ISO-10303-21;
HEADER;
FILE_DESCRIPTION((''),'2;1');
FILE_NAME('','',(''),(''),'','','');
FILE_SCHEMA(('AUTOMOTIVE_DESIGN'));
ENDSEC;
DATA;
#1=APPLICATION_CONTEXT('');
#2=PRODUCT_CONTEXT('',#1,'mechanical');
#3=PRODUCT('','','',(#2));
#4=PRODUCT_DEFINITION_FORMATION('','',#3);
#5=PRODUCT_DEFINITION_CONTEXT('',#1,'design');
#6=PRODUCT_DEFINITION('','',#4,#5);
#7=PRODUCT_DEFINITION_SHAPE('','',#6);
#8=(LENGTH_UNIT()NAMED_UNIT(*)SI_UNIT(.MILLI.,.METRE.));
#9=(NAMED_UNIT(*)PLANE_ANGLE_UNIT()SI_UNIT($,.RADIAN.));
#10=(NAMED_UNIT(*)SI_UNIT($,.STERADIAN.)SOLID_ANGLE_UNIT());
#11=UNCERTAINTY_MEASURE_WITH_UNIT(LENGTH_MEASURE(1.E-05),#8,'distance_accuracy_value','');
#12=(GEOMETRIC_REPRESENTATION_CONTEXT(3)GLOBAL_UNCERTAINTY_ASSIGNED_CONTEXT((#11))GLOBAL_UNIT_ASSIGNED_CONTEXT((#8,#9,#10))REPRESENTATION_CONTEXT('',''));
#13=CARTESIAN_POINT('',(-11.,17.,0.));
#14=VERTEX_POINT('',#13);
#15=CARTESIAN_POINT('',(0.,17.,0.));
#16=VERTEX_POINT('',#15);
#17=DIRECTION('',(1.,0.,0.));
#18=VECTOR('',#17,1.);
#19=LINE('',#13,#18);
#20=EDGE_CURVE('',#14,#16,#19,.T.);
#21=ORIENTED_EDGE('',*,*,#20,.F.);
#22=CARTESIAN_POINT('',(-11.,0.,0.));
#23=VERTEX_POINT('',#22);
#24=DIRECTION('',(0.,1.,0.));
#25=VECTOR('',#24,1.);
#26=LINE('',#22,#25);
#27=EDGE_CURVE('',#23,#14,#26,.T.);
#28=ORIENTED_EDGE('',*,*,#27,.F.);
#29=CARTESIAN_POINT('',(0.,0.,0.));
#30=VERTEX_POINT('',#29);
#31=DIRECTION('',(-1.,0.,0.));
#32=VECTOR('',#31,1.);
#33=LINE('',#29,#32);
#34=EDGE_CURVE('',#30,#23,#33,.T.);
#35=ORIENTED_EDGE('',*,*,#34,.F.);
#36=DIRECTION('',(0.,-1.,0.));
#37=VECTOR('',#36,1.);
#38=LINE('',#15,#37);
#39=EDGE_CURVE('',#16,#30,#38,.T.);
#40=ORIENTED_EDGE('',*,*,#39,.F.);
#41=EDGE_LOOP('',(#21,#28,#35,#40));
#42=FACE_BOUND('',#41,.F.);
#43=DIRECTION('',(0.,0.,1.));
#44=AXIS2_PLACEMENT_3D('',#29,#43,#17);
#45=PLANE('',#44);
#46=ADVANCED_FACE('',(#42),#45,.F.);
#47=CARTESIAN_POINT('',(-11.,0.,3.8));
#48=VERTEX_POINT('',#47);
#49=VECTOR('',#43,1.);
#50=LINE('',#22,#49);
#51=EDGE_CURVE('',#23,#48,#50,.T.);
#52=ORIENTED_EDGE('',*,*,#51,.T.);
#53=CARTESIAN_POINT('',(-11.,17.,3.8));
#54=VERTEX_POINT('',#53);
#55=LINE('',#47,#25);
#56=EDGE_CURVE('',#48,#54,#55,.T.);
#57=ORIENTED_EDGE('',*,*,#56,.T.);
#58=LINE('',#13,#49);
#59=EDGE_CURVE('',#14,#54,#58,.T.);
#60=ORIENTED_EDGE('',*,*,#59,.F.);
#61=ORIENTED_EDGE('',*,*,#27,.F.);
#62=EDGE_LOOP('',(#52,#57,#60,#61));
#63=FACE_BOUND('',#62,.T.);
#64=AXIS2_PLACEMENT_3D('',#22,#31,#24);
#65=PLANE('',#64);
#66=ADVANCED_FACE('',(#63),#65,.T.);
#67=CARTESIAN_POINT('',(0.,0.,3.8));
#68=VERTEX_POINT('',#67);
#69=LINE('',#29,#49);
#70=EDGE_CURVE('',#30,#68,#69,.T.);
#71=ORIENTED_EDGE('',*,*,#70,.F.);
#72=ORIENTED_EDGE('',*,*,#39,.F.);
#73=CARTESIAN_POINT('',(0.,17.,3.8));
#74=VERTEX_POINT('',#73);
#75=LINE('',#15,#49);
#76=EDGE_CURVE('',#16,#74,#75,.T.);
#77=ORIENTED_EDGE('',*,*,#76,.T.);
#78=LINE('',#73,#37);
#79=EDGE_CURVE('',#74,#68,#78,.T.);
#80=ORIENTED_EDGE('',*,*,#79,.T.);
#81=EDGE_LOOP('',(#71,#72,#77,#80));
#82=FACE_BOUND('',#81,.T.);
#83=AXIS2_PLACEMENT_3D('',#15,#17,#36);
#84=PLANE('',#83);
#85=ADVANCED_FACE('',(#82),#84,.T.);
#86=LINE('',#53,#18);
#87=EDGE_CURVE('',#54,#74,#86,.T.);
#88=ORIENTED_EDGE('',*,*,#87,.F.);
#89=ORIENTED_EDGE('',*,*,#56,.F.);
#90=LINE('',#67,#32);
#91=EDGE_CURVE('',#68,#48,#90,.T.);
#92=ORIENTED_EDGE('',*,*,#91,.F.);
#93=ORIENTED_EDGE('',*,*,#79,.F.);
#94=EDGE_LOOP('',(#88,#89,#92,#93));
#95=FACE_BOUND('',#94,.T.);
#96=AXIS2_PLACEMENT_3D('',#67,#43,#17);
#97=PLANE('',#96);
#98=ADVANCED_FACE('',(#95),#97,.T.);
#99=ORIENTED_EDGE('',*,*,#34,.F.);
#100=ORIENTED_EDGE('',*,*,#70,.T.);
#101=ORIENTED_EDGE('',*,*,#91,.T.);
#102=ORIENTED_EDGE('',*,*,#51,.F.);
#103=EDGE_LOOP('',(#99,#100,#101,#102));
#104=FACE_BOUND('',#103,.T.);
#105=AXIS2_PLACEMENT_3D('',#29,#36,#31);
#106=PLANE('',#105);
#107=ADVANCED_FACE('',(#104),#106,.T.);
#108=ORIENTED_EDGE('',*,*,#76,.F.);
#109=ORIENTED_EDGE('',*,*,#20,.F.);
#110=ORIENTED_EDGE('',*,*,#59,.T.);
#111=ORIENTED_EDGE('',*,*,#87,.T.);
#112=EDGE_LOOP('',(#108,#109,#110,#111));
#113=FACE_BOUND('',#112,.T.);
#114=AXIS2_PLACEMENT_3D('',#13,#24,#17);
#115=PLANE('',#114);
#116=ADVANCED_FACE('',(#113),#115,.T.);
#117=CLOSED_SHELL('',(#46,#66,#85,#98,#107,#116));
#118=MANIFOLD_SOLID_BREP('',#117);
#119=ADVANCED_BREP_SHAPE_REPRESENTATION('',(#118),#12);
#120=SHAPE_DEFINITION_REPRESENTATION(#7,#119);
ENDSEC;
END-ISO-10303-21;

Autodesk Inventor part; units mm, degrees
ref_plane "YZ Plane" through (0, 0, 0) normal (1, 0, 0) x (0, 1, 0)
ref_plane "XZ Plane" through (0, 0, 0) normal (0, 1, 0) x (-1, 0, 0)
ref_plane "XY Plane" through (0, 0, 0) normal (0, 0, 1) x (1, 0, 0)
sketch "Эскиз1" plane through (0, 0, 0) normal (0, 0, 1) x (1, 0, 0)
  line L0 (0, 0) -> (-11, 0)
  line L1 (-11, 0) -> (-11, 17)
  line L2 (-11, 17) -> (0, 17)
  line L3 (0, 17) -> (0, 0)
  dimension "d0" = 17
  dimension "d1" = 11
extrude "Выдавливание1" add sketch "Эскиз1" along normal blind 3.8
properties part number "stab 5v"
